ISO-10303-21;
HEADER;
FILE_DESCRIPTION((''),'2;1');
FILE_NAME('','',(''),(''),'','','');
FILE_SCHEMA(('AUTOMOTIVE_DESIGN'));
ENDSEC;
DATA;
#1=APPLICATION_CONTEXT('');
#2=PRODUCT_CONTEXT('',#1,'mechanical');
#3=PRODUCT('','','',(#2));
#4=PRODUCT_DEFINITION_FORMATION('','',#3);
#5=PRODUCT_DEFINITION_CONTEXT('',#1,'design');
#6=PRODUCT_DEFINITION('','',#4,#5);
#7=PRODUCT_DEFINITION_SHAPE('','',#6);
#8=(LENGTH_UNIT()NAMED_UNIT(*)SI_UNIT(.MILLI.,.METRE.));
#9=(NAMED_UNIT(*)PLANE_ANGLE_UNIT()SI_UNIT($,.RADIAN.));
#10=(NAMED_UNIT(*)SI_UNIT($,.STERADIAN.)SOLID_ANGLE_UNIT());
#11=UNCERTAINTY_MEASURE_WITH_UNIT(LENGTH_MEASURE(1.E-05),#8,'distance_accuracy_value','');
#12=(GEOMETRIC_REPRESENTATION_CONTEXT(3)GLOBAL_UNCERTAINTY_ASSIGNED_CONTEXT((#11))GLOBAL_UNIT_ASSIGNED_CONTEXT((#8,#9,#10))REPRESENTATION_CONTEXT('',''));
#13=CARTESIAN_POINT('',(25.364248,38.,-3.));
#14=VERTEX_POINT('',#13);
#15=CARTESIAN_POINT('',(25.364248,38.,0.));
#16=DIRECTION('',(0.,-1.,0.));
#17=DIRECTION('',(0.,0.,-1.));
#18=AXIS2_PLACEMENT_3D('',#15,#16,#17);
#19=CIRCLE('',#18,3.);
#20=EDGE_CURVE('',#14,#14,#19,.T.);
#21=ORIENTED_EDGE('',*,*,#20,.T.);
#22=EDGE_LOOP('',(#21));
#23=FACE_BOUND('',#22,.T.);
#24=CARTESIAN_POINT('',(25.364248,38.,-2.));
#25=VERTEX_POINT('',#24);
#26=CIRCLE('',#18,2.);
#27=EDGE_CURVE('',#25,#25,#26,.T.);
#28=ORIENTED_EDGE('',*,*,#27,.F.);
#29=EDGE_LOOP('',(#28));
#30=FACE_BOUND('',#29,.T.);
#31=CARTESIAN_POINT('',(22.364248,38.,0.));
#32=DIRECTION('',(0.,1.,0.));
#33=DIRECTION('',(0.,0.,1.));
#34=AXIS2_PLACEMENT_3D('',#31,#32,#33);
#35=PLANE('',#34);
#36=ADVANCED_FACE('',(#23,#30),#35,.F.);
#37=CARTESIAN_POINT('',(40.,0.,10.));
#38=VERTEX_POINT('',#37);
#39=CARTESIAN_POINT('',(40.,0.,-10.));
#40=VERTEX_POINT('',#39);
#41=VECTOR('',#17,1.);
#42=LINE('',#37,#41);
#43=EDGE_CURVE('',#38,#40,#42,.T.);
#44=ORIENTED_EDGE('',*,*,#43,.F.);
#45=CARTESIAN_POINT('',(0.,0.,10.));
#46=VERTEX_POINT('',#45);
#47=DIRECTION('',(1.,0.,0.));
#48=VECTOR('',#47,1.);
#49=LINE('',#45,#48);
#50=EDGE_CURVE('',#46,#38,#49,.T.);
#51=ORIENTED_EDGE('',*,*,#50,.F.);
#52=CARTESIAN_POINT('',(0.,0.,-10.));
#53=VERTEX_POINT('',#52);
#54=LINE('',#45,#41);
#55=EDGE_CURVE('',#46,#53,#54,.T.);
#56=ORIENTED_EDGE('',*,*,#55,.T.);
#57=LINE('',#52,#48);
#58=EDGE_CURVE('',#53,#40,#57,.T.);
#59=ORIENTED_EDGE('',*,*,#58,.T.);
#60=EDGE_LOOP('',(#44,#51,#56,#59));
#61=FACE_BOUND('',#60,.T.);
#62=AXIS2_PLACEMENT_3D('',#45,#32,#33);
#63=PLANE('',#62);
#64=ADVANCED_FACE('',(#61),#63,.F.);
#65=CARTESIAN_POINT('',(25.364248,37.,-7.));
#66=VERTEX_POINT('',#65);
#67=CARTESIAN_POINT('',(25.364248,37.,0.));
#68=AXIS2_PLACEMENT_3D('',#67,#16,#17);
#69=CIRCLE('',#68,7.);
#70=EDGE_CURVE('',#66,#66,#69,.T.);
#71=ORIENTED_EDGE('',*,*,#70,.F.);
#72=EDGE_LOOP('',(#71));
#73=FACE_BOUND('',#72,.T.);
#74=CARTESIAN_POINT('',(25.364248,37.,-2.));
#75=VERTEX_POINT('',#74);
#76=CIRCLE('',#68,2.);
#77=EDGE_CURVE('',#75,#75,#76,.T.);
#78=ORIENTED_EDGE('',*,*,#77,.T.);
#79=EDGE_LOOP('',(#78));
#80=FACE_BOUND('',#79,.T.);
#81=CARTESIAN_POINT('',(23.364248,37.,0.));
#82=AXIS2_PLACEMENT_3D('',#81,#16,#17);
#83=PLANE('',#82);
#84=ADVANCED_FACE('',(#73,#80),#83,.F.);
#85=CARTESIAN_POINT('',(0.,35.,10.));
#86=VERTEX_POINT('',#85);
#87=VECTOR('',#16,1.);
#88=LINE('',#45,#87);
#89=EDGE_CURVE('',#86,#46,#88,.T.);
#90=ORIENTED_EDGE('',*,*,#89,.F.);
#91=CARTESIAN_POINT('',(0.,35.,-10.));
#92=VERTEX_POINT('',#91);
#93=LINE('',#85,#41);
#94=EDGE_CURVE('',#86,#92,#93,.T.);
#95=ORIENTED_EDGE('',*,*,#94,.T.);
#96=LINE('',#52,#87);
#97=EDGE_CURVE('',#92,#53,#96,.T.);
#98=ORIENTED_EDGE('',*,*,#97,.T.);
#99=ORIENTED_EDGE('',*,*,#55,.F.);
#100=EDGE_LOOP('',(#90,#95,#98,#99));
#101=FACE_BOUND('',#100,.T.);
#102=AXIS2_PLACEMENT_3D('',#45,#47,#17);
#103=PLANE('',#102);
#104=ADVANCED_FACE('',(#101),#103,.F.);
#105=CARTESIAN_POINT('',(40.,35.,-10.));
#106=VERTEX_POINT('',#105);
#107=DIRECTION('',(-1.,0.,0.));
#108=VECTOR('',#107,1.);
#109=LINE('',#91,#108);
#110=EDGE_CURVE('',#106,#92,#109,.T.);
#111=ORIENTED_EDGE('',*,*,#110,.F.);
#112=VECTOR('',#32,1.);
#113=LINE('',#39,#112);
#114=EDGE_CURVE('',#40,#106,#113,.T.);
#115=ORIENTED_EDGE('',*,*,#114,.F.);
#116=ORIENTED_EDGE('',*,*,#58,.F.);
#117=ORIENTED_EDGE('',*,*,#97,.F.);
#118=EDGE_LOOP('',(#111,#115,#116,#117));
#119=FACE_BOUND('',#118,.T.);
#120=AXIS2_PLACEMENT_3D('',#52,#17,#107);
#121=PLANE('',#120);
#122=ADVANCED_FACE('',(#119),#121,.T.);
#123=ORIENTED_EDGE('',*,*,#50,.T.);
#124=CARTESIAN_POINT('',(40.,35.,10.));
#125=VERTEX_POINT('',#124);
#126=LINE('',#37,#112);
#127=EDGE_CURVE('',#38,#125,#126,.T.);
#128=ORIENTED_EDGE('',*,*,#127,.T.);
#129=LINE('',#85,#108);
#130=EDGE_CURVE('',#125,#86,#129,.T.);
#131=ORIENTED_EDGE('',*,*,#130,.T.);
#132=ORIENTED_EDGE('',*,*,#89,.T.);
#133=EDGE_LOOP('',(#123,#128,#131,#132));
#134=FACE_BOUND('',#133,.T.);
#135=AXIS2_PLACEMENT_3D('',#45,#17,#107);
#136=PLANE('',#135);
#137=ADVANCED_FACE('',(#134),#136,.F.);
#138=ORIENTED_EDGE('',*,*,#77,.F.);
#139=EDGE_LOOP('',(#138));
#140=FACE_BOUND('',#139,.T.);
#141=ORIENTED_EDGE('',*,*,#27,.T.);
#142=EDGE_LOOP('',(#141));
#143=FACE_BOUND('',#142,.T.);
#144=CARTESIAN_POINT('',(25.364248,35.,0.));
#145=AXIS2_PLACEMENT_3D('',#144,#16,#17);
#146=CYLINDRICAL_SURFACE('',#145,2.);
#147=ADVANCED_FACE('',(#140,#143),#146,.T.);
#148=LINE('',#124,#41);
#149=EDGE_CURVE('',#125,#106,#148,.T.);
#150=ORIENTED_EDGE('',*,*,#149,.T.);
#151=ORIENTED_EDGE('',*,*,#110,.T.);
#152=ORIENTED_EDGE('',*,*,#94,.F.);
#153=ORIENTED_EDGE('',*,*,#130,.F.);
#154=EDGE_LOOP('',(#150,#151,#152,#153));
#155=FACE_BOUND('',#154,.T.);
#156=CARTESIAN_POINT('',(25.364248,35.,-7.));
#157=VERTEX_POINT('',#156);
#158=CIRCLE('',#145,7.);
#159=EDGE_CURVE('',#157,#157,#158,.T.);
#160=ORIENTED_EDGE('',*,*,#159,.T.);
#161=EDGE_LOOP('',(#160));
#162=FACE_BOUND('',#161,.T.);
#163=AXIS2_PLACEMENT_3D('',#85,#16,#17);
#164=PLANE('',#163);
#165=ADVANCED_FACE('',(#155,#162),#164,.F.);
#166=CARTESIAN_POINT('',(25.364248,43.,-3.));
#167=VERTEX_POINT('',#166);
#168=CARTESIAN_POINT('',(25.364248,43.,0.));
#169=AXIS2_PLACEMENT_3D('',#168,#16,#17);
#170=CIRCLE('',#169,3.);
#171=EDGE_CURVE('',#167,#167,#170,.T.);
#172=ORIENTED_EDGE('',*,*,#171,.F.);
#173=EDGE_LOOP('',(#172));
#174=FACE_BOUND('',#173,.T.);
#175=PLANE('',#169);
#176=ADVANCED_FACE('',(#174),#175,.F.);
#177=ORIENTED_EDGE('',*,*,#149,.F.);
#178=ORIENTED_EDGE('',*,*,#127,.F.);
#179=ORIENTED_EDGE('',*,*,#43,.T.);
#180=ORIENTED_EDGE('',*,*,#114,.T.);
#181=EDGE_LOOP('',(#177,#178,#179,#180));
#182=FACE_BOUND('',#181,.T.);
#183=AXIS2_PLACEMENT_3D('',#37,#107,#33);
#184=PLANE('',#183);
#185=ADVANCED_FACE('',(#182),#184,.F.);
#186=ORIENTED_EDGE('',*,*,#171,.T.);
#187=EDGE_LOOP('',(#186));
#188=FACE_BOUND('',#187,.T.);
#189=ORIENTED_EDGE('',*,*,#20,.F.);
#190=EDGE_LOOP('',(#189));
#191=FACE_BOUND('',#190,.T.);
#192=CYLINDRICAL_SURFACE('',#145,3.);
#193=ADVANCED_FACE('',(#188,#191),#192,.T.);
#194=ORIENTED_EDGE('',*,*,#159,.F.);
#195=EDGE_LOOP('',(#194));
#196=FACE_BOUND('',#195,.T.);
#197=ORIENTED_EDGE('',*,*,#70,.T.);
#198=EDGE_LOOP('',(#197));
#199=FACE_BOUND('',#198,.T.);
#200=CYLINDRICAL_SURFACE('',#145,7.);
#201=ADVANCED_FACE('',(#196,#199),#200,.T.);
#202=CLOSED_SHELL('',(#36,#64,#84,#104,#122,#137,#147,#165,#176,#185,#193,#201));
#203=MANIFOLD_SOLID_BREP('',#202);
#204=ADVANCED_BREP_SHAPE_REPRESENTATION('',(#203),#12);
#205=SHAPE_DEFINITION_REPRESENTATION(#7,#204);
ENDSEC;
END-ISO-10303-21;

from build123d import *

# Parameters (mm, degrees)
SKETCH_1_W      = 40
SKETCH_1_H      = 35
EXTRUDE_1_DEPTH = 10


with BuildPart() as part:
    # ｽｹｯﾁ1 → ﾎﾞｽ - 押し出し1 (new, symmetric)
    with BuildSketch(Plane.XY):
        with Locations((20, 17.5)):
            Rectangle(SKETCH_1_W, SKETCH_1_H)
    extrude(amount=EXTRUDE_1_DEPTH, both=True)

    # ｽｹｯﾁ2 → 回転1 (revolve)
    with BuildSketch(Plane.XY, mode=Mode.PRIVATE) as revolve_1_sk:
        Polygon((25.364248034, 35), (25.364248034, 43), (22.364248034, 43), (22.364248034, 38), (23.364248034, 38), (23.364248034, 37), (18.364248034, 37), (18.364248034, 35), align=None)
    revolve(revolve_1_sk.sketch.rotate(Axis((25.364248034, 35, 0), (0, 1, 0)), 270), axis=Axis((25.364248034, 35, 0), (0, 1, 0)))


solid = part.part
